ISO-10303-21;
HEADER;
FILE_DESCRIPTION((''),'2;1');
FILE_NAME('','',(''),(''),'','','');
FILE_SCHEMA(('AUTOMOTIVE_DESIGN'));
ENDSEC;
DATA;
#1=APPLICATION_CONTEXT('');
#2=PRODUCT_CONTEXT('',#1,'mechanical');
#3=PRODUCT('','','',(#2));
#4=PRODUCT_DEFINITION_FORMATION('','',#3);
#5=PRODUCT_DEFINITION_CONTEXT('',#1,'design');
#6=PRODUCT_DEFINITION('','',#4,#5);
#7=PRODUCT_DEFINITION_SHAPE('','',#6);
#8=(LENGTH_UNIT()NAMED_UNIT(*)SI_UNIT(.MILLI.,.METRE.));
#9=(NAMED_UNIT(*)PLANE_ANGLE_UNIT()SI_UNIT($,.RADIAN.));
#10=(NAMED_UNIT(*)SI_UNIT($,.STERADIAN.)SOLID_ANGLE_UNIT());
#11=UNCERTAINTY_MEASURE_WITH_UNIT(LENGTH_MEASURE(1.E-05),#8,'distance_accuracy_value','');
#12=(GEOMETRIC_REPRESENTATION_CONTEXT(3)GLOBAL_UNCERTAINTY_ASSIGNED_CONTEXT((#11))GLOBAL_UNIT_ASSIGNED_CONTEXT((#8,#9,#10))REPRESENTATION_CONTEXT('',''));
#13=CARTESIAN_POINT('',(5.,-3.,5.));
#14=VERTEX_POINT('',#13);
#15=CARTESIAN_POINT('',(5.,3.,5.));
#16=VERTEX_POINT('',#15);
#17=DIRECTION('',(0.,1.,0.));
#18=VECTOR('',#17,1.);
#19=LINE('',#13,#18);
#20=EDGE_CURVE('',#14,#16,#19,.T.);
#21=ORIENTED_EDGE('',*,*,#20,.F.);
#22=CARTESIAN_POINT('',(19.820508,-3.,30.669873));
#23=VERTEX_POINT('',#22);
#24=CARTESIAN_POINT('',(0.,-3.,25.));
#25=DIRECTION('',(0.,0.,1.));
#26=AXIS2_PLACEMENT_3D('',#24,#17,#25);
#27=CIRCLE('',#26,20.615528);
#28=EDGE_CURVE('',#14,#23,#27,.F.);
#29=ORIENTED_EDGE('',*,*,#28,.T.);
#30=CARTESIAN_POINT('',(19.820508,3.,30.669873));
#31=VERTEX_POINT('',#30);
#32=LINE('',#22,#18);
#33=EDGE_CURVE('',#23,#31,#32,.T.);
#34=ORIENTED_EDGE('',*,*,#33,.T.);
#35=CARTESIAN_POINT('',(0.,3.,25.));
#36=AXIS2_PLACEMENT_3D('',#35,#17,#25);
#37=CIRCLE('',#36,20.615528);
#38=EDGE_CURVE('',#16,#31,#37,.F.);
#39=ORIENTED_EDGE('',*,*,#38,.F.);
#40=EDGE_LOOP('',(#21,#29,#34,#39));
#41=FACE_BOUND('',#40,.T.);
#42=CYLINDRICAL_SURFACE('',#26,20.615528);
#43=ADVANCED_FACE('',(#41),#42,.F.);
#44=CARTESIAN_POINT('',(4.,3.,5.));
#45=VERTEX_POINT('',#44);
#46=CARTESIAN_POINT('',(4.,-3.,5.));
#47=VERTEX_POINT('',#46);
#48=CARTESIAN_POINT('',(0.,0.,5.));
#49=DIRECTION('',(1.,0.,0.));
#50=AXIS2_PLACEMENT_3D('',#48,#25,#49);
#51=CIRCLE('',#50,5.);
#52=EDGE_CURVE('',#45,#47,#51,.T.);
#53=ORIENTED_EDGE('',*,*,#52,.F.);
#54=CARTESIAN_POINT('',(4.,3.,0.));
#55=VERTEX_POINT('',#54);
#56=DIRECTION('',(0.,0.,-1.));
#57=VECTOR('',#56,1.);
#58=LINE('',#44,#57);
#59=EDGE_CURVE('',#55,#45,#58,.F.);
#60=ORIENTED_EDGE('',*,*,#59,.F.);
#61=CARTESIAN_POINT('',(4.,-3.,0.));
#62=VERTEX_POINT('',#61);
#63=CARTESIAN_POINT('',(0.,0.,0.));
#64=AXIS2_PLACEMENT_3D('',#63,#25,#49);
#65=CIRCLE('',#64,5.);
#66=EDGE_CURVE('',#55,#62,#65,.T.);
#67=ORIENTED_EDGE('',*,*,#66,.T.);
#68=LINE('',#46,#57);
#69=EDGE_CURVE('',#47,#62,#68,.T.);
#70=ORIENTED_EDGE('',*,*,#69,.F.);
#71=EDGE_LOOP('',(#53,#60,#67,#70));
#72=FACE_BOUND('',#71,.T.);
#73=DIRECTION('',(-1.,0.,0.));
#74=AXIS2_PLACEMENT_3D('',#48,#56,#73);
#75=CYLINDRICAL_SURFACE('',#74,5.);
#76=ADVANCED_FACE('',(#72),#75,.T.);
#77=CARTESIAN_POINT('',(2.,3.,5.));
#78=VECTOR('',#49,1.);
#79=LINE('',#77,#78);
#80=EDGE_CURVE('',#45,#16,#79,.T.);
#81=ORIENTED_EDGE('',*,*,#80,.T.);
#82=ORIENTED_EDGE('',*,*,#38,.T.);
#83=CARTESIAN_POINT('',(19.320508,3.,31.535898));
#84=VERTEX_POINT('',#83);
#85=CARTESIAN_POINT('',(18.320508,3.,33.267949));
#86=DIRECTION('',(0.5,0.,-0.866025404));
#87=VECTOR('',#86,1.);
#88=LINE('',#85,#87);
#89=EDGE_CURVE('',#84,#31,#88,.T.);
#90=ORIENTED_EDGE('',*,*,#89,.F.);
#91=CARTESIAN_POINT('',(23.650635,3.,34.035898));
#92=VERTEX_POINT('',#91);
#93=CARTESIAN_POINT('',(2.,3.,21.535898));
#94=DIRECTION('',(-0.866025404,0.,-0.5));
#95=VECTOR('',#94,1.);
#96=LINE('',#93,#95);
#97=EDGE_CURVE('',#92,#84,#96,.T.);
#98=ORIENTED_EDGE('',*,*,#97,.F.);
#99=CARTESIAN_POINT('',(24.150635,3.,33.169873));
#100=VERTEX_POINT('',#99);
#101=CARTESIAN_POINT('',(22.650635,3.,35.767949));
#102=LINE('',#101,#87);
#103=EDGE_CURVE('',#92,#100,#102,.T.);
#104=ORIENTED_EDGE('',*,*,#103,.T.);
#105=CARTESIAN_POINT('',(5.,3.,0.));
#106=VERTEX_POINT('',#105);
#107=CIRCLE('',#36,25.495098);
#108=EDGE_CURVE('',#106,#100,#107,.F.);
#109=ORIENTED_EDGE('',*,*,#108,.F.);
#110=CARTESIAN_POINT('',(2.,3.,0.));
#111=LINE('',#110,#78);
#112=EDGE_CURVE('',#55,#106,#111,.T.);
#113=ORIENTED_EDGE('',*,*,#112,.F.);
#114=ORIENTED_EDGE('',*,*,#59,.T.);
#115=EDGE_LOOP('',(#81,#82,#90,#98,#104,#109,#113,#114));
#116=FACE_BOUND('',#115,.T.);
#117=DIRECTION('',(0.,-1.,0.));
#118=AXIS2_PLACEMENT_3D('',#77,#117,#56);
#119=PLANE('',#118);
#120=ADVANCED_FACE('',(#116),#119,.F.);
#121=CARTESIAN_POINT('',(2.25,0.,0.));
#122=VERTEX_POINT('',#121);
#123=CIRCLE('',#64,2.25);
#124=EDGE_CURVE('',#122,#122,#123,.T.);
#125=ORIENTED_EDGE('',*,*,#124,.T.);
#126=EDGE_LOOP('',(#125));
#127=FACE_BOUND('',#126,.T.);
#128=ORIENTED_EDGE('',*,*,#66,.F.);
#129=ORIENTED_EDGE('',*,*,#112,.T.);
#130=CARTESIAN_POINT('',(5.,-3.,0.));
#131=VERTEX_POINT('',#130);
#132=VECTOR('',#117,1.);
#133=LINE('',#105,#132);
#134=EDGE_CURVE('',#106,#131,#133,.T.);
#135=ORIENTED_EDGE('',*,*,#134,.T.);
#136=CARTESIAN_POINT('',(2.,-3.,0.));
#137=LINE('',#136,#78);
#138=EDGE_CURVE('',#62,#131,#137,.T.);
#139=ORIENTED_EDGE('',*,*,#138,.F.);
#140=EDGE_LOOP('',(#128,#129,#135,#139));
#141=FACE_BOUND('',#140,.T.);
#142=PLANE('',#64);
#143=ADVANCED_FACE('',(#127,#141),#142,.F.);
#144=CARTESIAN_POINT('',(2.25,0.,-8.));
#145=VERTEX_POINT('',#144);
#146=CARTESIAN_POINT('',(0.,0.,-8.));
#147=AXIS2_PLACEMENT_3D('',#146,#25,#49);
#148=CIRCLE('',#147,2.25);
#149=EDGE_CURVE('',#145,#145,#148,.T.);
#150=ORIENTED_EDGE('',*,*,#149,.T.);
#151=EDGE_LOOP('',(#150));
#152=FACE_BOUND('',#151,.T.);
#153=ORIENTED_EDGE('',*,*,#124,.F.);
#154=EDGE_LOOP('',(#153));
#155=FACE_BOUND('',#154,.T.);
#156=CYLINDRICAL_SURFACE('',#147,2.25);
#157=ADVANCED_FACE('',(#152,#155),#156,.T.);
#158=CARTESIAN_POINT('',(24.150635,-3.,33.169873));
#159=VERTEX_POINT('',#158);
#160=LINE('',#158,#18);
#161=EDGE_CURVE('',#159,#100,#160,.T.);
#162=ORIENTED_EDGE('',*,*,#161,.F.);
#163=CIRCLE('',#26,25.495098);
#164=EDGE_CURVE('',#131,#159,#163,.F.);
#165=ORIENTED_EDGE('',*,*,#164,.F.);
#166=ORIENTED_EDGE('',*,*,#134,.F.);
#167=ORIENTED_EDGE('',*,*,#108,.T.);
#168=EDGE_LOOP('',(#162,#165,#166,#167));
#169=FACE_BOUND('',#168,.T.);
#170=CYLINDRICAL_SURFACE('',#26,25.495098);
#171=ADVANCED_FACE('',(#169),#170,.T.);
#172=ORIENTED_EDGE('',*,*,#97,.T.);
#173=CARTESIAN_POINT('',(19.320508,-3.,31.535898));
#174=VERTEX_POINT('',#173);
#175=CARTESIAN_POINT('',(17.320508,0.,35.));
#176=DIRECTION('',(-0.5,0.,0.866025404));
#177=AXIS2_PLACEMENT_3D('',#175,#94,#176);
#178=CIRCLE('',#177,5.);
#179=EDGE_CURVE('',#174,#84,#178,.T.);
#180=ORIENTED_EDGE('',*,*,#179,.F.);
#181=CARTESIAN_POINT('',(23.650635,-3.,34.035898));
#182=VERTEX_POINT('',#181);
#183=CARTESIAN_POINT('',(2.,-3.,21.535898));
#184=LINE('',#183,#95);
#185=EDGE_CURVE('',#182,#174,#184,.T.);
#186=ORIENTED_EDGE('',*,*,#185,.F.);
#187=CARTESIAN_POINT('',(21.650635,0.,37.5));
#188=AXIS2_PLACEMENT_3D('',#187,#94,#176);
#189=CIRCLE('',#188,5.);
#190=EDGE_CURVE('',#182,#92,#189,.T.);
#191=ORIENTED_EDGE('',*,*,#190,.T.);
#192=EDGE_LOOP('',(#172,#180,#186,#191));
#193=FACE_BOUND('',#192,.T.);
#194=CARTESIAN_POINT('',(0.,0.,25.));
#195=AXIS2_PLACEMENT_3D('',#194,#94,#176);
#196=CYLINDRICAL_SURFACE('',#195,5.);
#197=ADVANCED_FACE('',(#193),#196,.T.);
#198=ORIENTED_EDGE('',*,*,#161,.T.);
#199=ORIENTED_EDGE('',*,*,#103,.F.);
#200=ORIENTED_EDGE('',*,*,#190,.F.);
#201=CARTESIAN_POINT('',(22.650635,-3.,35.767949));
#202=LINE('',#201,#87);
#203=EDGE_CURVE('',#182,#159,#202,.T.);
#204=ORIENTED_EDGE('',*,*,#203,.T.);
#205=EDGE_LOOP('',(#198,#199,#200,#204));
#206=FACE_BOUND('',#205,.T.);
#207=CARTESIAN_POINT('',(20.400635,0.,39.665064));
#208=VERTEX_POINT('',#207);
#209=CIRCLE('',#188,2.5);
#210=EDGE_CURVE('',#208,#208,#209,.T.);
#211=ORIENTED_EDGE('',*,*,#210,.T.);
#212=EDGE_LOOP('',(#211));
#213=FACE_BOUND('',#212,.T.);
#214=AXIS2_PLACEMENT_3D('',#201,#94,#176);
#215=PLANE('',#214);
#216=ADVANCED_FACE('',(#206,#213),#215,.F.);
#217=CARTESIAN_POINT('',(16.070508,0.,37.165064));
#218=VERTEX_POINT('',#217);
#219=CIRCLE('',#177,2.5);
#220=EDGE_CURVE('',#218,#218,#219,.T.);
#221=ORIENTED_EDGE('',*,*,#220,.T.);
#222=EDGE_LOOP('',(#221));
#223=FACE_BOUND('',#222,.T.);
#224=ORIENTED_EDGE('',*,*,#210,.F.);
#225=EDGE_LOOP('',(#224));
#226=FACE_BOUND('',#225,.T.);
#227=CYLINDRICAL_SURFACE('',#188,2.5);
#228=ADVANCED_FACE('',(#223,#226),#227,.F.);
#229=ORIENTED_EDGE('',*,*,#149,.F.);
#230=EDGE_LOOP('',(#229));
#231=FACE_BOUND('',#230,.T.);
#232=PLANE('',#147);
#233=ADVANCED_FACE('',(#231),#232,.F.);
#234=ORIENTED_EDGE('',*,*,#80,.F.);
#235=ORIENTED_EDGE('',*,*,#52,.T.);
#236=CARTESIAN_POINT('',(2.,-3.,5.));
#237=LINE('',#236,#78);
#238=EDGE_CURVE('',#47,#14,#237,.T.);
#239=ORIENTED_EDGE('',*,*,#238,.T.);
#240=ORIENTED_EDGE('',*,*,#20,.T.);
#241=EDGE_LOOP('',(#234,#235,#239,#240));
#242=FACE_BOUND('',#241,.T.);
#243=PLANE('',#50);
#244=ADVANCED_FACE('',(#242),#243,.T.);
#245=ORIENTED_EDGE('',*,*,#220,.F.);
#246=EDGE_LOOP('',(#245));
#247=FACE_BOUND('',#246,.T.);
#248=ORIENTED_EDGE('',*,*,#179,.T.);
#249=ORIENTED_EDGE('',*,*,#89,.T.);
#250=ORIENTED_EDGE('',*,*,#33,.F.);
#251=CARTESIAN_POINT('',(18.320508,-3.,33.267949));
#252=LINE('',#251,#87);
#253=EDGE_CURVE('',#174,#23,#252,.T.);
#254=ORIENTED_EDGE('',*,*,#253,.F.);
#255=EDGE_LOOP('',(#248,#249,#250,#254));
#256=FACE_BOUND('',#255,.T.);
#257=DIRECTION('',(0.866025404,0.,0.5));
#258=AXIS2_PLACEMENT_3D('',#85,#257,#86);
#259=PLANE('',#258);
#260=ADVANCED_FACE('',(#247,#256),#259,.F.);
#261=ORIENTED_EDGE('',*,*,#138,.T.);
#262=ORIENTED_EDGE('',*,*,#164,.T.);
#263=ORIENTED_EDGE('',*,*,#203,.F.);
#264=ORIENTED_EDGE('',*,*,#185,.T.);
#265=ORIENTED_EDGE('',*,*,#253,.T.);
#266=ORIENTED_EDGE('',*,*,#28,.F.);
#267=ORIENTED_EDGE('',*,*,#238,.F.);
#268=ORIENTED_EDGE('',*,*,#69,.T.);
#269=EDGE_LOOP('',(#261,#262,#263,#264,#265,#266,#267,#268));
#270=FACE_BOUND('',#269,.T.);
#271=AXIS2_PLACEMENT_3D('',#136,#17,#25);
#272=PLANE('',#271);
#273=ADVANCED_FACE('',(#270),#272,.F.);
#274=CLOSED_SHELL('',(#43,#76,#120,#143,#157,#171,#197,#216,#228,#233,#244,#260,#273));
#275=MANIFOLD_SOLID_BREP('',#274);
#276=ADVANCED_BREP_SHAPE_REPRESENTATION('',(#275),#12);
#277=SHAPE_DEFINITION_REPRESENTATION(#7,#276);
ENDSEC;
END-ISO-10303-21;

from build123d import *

# Parameters (mm, degrees)
SKETCH_2_R           = 5
EXTRUDE_3_DEPTH      = 5
EXTRUDE_4_DEPTH      = 3
EXTRUDE_4_DEPTH_BACK = 3
SKETCH_4_W           = 5
SKETCH_4_H           = 6
EXTRUDE_5_DEPTH      = 3
SKETCH_5_W           = 5
SKETCH_5_H           = 6
EXTRUDE_6_DEPTH      = 3
SKETCH_6_R           = 2.5
CUT_EXTRUDE_1_DEPTH  = 5
EXTRUDE_START        = -5
SKETCH_7_R           = 2.25
EXTRUDE_7_DEPTH      = 8


with BuildPart() as part:
    # 草图2 → 凸台-拉伸3 (new body)
    with BuildSketch(Plane.XY):
        Circle(SKETCH_2_R)
    extrude(amount=EXTRUDE_3_DEPTH)



with BuildPart() as body_2:
    # 草图3 → 凸台-拉伸4 (new, two sides: drawn at the far end of the back side and taken through both)
    with BuildSketch(Plane(origin=(0, 0, 0), x_dir=(1, 0, 0), z_dir=(0, 1, 0)).offset(-EXTRUDE_4_DEPTH_BACK)):
        with BuildLine():
            ThreePointArc((5, 0), (22.079402166, -12.252451216), (24.150635095, -33.169872981))
            Line((24.150635095, -33.169872981), (19.820508076, -30.669872981))
            ThreePointArc((19.820508076, -30.669872981), (17.853571071, -14.692235936), (5, -5))
            Line((5, -5), (5, 0))
        make_face()
    extrude(amount=EXTRUDE_4_DEPTH + EXTRUDE_4_DEPTH_BACK)



with BuildPart() as body_3:
    # 草图3<3> → 旋转1 (revolve)
    with BuildSketch(Plane(origin=(0, 0, 0), x_dir=(1, 0, 0), z_dir=(0, 1, 0)), mode=Mode.PRIVATE) as revolve_1_sk:
        Polygon((24.150635095, -33.169872981), (19.820508076, -30.669872981), (17.320508076, -35), (21.650635095, -37.5), align=None)
    revolve(revolve_1_sk.sketch.rotate(Axis((0, 0, 25), (0.8660254037844406, 0, 0.4999999999999967)), 180), axis=Axis((0, 0, 25), (0.8660254037844406, 0, 0.4999999999999967)))


with BuildPart() as body_2_1:
    add(body_2.part)

    add(body_3.part)  # 凸台-拉伸5 merges body 3
    # 草图4 → 凸台-拉伸5 (add)
    with BuildSketch(Plane(origin=(-8.325317547, 0, 14.419872981), x_dir=(0.8660254037844396, 0, 0.49999999999999856), z_dir=(-0.49999999999999856, 0, 0.8660254037844396))):
        with Locations((35, 0)):
            Rectangle(SKETCH_4_W, SKETCH_4_H)
    extrude(amount=EXTRUDE_5_DEPTH)


with BuildPart() as part_1:
    add(part.part)

    add(body_2_1.part)  # 凸台-拉伸6 merges body 2
    # 草图5 → 凸台-拉伸6 (add)
    with BuildSketch(Plane.ZY.offset(-5)):
        with Locations((2.5, 0)):
            Rectangle(SKETCH_5_W, SKETCH_5_H)
    extrude(amount=EXTRUDE_6_DEPTH)

    # 草图6 → 切除-拉伸1 (cut)
    with BuildSketch(Plane(origin=(28.145825623, 0, 16.25), x_dir=(-0.49999999999999856, 0, 0.8660254037844396), z_dir=(-0.8660254037844396, 0, -0.49999999999999856))):
        with Locations((21.650635095, 0)):
            Circle(SKETCH_6_R)
    extrude(amount=-CUT_EXTRUDE_1_DEPTH, mode=Mode.SUBTRACT)

    # 草图7 → 凸台-拉伸7 (add)
    with BuildSketch(Plane.XY.offset(5).offset(EXTRUDE_START)):
        Circle(SKETCH_7_R)
    extrude(amount=-EXTRUDE_7_DEPTH)


solid = part_1.part
